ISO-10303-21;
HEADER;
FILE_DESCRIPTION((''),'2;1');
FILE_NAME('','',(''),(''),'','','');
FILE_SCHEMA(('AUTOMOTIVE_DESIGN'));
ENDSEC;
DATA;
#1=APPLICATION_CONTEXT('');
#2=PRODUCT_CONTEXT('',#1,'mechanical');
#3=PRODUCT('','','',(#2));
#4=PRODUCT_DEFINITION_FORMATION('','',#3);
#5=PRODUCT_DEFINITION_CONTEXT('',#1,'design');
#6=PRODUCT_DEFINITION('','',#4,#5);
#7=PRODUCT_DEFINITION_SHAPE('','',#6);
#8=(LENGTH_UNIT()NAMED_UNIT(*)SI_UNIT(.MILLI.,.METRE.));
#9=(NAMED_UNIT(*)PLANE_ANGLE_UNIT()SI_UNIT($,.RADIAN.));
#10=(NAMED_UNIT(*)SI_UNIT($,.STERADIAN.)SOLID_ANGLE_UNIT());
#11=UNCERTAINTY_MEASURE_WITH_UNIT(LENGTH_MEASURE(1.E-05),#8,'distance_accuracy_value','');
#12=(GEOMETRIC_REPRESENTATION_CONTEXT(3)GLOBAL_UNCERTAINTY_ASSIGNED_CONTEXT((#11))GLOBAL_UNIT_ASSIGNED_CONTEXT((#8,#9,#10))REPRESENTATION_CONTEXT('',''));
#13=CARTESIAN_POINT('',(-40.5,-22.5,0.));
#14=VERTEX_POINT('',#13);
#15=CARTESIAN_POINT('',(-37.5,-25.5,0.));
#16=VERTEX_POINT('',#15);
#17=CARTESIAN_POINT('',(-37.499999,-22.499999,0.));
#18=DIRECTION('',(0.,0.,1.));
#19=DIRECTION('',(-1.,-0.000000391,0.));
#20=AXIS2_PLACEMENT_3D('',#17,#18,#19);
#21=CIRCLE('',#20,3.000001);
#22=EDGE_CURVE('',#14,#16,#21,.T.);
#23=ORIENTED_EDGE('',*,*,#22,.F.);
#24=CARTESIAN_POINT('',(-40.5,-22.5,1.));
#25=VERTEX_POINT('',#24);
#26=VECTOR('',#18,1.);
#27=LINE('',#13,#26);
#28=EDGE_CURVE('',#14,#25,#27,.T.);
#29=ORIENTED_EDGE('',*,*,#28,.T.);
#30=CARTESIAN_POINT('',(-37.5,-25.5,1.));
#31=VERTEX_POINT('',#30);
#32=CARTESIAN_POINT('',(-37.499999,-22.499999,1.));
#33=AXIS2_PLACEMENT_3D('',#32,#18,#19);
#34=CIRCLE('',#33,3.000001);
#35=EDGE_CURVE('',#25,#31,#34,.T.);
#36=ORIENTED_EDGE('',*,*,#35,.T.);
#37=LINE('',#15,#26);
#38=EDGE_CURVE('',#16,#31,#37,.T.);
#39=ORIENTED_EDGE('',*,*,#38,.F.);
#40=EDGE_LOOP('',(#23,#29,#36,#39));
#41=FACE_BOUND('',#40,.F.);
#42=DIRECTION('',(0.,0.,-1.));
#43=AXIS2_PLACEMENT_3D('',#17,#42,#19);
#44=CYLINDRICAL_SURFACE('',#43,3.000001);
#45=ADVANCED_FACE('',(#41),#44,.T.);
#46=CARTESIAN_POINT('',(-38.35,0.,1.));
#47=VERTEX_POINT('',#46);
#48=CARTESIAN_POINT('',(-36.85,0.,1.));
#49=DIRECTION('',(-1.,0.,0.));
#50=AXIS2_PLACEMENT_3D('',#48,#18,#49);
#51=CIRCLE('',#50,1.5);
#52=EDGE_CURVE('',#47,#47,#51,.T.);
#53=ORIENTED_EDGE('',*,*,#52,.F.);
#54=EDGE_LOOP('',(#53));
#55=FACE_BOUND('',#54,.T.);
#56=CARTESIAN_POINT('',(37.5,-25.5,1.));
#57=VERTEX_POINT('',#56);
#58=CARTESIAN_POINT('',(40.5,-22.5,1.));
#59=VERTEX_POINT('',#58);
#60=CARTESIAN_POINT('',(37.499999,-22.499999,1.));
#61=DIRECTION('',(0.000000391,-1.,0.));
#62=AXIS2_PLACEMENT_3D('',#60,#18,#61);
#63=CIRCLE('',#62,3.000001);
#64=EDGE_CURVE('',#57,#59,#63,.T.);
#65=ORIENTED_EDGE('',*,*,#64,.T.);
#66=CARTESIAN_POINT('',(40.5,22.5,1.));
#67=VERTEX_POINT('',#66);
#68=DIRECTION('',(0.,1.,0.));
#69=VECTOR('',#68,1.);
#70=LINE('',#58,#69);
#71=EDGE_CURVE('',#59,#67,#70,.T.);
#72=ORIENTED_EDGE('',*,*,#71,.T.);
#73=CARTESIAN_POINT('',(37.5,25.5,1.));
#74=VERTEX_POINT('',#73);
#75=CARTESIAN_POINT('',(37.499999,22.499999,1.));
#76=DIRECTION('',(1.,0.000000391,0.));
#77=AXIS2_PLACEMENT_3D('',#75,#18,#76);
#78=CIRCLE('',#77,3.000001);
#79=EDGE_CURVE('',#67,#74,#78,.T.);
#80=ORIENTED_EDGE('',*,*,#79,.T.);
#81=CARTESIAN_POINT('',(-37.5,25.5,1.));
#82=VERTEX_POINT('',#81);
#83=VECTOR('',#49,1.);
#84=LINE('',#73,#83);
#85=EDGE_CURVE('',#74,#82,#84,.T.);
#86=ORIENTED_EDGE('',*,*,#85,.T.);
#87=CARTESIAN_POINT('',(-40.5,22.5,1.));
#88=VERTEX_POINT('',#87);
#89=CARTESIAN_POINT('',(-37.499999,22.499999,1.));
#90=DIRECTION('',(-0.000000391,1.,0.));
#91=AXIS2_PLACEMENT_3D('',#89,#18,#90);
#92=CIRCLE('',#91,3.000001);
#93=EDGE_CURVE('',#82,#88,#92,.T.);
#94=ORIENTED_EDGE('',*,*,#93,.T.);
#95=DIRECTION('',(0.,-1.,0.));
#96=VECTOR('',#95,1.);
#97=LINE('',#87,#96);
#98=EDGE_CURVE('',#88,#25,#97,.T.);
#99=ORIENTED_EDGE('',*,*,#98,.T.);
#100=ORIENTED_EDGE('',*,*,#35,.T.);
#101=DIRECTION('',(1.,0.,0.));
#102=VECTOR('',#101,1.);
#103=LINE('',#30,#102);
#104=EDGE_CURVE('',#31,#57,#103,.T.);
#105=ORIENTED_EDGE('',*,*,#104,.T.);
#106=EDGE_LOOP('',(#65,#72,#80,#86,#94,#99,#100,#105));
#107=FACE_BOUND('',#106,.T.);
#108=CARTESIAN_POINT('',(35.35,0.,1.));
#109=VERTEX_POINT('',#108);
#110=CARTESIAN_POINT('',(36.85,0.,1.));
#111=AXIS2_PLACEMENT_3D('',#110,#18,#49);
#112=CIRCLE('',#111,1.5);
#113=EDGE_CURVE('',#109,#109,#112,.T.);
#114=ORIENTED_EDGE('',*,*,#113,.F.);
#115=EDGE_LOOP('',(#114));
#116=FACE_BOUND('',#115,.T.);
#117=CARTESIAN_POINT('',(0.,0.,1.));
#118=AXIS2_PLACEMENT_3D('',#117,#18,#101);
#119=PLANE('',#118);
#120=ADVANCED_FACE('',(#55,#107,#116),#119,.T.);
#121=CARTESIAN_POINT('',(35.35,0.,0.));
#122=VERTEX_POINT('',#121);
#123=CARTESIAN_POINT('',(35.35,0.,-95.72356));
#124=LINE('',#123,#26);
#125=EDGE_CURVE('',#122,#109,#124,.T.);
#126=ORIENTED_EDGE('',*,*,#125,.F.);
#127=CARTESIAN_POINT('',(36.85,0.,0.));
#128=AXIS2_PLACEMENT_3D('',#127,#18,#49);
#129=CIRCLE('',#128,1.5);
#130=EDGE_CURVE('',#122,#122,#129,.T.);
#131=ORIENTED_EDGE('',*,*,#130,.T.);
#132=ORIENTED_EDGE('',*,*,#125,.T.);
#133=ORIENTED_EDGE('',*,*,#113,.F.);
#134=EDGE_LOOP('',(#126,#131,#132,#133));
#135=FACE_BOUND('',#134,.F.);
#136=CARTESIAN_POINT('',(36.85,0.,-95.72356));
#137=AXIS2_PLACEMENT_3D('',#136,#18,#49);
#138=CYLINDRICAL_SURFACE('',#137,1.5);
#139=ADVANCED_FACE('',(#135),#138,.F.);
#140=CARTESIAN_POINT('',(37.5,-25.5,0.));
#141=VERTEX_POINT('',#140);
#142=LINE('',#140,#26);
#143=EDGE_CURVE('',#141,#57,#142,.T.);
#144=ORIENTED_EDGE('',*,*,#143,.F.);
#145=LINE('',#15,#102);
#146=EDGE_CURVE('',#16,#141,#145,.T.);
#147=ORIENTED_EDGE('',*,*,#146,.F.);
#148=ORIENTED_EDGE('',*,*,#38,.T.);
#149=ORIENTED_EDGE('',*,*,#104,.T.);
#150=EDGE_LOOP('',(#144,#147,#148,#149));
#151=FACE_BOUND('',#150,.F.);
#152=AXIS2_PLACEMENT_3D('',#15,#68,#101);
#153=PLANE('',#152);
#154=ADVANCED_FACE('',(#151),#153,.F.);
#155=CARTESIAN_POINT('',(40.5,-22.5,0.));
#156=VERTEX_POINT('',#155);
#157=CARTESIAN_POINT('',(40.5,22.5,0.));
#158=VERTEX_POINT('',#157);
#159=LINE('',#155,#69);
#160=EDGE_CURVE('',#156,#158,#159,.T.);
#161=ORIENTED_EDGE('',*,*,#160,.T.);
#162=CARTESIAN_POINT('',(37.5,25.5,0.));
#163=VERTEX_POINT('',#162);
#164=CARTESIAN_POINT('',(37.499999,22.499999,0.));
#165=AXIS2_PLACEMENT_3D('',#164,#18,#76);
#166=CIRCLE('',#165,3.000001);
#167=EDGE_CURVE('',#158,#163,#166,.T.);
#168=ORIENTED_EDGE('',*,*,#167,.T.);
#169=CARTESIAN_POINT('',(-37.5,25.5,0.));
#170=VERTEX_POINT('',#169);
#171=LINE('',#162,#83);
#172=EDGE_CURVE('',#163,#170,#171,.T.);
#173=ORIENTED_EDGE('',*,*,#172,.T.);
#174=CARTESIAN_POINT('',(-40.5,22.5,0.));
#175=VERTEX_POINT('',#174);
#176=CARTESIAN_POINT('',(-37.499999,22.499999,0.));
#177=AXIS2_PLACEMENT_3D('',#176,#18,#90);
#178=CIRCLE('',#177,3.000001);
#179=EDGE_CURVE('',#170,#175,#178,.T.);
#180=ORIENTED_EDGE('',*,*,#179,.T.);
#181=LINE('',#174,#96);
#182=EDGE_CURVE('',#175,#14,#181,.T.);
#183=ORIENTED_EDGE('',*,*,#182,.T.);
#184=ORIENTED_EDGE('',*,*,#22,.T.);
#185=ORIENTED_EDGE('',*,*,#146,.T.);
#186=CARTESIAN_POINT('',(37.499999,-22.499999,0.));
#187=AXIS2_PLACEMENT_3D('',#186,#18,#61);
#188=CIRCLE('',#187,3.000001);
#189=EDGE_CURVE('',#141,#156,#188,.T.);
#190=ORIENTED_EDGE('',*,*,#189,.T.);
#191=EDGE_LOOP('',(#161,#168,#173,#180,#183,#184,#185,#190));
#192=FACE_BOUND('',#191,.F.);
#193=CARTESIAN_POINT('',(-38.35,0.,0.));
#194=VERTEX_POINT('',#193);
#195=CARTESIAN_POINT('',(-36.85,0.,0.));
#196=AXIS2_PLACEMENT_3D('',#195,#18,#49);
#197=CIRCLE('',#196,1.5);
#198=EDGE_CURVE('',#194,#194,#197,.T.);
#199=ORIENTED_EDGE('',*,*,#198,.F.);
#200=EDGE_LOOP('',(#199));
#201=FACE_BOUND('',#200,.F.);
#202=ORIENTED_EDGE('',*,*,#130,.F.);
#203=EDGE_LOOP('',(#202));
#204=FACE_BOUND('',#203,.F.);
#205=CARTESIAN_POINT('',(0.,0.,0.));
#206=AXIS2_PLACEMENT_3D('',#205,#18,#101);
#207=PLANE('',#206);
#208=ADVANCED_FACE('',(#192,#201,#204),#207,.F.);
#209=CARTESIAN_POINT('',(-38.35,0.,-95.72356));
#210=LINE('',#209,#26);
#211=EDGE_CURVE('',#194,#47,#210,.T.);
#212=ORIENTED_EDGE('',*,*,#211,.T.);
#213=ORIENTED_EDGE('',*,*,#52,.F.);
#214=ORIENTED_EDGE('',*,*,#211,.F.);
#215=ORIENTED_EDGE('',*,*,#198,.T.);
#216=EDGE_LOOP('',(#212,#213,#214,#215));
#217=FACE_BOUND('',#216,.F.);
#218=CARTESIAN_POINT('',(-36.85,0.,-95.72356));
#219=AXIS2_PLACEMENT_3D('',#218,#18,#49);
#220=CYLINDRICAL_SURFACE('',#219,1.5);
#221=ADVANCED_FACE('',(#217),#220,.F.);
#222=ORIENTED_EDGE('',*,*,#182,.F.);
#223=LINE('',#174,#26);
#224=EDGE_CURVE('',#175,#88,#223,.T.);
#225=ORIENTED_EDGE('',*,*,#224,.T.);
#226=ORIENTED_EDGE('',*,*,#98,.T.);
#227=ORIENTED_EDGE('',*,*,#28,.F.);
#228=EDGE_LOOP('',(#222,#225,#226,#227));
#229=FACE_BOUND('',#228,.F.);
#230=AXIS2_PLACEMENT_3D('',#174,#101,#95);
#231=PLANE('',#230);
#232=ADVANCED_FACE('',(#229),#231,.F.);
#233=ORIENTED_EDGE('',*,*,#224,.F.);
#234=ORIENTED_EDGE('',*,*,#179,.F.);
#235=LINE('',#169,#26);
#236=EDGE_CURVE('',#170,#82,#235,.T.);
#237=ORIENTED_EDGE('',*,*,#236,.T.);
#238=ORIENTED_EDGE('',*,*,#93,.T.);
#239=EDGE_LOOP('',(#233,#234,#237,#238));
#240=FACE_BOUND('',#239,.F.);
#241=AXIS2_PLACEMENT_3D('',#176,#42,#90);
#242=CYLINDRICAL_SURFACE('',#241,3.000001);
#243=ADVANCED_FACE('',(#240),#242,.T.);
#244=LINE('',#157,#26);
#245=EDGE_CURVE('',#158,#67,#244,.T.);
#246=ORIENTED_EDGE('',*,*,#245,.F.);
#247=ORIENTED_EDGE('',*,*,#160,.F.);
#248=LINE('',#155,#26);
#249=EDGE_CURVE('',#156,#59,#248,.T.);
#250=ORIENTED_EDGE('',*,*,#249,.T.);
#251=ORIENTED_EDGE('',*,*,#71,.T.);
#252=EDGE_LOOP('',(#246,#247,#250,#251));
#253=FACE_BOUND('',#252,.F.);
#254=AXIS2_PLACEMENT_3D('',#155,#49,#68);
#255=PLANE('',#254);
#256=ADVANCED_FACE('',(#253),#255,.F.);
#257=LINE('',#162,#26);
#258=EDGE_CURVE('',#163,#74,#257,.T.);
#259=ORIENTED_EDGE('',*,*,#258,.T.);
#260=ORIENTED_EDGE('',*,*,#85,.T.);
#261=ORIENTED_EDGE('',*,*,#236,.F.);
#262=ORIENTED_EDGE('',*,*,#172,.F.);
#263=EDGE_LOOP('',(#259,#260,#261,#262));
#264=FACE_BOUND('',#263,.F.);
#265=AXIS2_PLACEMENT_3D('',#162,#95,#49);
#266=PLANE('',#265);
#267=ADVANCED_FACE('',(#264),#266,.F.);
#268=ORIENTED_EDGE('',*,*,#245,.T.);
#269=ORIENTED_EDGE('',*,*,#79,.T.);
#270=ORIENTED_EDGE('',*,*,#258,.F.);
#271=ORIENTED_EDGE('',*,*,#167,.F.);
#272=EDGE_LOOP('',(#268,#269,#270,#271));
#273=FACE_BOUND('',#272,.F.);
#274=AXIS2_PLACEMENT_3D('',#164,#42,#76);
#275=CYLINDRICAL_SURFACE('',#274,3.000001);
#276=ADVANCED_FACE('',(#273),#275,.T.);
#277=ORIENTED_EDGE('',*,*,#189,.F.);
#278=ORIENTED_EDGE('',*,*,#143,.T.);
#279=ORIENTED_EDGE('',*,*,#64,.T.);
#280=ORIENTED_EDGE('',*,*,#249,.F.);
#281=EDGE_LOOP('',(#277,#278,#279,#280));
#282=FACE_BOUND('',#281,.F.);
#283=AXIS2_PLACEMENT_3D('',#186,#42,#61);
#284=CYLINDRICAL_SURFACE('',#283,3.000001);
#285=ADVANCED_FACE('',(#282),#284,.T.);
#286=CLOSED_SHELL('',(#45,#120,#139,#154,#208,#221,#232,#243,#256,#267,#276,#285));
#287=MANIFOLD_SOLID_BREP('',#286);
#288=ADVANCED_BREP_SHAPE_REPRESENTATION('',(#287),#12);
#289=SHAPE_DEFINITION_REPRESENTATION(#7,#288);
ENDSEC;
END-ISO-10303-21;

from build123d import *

# Parameters (mm, degrees)
F1_DEPTH = 1
F2_D     = 3


with BuildPart() as f1:
    # F0 (on Top) → F1 (new body)
    with BuildSketch(Plane.XY):
        with BuildLine():
            Line((37.5, 25.5), (-37.5, 25.5))
            ThreePointArc((-37.5, 25.5), (-39.62132, 24.62132), (-40.5, 22.5))
            Line((-40.5, 22.5), (-40.5, -22.5))
            ThreePointArc((-40.5, -22.5), (-39.62132, -24.62132), (-37.5, -25.5))
            Line((-37.5, -25.5), (37.5, -25.5))
            ThreePointArc((37.5, -25.5), (39.62132, -24.62132), (40.5, -22.5))
            Line((40.5, -22.5), (40.5, 22.5))
            ThreePointArc((40.5, 22.5), (39.62132, 24.62132), (37.5, 25.5))
        make_face()
    extrude(amount=F1_DEPTH)

    # F2 (through all)
    with Locations(Plane(origin=(0, 0, 0), x_dir=(1, 0, 0), z_dir=(0, 0, -1))):
        with Locations((-36.85, 0), (36.85, 0)):
            Hole(F2_D / 2)


solid = f1.part
